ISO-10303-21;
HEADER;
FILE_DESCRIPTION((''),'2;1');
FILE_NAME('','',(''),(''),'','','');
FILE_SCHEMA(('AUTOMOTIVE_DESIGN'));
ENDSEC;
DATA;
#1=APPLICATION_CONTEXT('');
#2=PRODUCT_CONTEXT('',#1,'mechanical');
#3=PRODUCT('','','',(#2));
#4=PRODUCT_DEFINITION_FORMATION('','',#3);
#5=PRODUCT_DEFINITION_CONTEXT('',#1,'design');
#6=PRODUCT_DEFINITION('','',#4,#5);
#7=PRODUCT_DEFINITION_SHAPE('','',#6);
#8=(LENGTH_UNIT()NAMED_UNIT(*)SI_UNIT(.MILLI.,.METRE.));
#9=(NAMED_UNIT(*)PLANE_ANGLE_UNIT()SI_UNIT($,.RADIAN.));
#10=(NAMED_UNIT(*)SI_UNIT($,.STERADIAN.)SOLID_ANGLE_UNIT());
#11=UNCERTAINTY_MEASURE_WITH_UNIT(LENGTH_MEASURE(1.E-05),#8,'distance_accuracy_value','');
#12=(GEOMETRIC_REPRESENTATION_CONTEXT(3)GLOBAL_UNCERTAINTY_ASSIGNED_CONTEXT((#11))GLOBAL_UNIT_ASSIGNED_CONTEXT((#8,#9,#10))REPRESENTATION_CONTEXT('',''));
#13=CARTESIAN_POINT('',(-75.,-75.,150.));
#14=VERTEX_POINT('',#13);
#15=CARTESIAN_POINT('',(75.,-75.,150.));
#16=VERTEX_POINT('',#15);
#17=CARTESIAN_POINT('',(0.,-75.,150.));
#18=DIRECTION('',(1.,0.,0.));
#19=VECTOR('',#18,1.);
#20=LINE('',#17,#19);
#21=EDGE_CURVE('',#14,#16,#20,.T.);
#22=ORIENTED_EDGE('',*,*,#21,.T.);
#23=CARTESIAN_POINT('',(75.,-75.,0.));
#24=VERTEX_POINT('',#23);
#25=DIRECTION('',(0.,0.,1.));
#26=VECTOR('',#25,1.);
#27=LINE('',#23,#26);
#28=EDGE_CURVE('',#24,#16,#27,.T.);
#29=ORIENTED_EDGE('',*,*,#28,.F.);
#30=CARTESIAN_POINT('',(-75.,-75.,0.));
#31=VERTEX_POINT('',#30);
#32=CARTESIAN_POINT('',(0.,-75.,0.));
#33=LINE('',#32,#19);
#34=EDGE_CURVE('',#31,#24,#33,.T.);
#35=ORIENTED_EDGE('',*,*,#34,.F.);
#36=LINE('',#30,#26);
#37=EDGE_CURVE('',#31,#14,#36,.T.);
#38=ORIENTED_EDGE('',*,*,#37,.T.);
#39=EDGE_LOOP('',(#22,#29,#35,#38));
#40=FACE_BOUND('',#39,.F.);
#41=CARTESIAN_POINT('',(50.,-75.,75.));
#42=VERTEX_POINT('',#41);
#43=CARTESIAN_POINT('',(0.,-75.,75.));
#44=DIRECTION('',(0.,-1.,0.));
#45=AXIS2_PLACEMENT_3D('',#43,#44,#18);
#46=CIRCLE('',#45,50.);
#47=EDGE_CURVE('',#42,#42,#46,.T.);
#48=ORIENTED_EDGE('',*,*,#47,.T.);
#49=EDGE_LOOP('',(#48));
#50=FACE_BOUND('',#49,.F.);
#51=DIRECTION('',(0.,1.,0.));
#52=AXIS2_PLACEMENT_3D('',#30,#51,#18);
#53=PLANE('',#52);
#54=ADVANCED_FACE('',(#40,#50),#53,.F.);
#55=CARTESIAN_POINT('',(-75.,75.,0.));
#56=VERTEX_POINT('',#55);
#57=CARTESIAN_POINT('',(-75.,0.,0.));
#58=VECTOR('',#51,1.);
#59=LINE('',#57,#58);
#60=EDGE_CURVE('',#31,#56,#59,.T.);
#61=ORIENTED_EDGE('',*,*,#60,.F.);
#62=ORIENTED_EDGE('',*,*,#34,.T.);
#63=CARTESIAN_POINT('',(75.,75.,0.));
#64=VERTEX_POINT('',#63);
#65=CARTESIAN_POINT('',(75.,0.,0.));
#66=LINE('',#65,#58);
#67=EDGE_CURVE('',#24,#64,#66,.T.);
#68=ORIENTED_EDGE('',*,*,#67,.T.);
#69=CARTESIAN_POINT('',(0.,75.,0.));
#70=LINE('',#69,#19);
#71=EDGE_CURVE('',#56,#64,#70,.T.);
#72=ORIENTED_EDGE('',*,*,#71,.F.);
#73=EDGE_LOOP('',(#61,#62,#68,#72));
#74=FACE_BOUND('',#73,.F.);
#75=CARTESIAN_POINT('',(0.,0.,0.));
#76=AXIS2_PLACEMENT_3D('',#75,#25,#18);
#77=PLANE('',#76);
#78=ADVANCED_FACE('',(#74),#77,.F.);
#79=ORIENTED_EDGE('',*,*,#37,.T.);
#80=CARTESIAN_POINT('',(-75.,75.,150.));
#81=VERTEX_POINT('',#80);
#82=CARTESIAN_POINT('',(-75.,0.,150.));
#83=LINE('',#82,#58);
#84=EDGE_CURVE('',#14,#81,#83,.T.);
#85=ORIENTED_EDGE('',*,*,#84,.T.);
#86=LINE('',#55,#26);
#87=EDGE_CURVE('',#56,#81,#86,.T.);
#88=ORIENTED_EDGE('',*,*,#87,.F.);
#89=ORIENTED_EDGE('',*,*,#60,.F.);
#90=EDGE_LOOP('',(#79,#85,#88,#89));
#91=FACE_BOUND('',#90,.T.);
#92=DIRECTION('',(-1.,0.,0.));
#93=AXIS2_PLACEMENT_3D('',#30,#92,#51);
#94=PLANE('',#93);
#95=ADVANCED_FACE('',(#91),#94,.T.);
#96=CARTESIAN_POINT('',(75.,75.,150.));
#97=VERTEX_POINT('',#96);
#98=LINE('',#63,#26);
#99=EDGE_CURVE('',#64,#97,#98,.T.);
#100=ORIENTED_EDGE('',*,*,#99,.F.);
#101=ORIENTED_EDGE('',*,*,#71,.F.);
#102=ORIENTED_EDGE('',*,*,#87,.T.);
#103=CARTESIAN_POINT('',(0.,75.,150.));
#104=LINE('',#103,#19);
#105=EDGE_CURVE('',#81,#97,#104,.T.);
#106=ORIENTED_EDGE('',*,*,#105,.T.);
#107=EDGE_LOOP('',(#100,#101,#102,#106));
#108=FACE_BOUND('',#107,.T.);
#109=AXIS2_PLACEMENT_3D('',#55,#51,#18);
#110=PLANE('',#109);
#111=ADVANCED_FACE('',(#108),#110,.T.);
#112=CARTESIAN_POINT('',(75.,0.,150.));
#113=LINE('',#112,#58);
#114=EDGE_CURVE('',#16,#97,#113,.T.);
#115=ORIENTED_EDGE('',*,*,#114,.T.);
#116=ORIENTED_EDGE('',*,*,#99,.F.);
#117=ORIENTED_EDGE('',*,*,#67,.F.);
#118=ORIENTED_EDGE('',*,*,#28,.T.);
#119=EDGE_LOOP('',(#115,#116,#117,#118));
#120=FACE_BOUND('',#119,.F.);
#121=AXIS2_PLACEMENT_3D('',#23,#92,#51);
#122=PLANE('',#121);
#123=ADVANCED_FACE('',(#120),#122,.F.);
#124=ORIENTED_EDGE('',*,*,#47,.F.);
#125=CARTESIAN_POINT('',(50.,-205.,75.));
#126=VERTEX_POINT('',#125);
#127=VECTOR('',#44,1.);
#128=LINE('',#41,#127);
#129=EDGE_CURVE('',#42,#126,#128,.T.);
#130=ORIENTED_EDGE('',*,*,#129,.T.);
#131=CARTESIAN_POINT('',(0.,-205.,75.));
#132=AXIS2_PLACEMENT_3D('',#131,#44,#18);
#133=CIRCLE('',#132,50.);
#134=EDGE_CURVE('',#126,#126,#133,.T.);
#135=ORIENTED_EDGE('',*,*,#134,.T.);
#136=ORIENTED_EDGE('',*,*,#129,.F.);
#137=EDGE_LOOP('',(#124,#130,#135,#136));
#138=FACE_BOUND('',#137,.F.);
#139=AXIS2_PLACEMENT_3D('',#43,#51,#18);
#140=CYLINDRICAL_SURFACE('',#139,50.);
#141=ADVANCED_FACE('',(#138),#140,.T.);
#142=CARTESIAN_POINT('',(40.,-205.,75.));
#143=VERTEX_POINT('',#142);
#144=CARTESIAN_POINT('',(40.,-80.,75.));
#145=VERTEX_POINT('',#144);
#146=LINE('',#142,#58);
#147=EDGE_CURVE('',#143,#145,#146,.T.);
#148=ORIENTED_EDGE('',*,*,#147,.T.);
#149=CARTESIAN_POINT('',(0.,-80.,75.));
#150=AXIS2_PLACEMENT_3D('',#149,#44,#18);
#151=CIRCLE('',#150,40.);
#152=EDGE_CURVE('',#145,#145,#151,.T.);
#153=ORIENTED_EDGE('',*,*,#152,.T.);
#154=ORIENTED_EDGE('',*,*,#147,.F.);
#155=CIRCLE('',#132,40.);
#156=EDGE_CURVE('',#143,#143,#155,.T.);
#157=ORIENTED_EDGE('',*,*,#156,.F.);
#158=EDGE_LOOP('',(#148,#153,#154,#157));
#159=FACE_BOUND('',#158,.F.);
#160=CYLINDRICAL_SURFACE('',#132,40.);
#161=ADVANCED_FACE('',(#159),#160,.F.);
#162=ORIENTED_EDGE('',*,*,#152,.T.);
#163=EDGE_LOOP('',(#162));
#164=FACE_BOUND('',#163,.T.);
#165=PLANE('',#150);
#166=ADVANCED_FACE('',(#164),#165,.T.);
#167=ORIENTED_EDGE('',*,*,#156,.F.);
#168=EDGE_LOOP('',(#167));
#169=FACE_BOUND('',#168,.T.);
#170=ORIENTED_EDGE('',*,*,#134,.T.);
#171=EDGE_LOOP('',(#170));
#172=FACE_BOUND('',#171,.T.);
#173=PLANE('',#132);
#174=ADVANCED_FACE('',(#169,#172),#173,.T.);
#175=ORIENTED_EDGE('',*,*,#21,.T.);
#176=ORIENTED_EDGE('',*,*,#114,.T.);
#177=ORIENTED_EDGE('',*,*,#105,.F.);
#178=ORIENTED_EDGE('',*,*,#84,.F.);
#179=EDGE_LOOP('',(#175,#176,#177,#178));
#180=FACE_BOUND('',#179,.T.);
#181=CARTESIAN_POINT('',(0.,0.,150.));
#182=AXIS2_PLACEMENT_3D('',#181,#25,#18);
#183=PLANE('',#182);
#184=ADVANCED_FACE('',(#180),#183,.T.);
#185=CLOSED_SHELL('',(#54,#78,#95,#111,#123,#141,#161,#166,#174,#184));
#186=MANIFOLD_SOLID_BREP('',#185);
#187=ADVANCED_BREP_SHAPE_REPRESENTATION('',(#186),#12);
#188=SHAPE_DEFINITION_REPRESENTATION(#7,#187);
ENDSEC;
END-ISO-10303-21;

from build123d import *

# Parameters (mm, degrees)
F0_W     = 150
F0_H     = 150
F1_DEPTH = 150
F3_R     = 50
F4_DEPTH = 130
F5_R     = 40
F6_DEPTH = 125


with BuildPart() as f1:
    # F0 (on Top) → F1 (new body)
    with BuildSketch(Plane.XY):
        Rectangle(F0_W, F0_H)
    extrude(amount=F1_DEPTH)

    # F3 (on face) → F4 (join)
    with BuildSketch(Plane.XZ.offset(75)):
        with Locations((0, 75)):
            Circle(F3_R)
    extrude(amount=F4_DEPTH)

    # F5 (on face) → F6 (cut)
    with BuildSketch(Plane.XZ.offset(205)):
        with Locations((0, 75)):
            Circle(F5_R)
    extrude(amount=-F6_DEPTH, mode=Mode.SUBTRACT)


solid = f1.part
